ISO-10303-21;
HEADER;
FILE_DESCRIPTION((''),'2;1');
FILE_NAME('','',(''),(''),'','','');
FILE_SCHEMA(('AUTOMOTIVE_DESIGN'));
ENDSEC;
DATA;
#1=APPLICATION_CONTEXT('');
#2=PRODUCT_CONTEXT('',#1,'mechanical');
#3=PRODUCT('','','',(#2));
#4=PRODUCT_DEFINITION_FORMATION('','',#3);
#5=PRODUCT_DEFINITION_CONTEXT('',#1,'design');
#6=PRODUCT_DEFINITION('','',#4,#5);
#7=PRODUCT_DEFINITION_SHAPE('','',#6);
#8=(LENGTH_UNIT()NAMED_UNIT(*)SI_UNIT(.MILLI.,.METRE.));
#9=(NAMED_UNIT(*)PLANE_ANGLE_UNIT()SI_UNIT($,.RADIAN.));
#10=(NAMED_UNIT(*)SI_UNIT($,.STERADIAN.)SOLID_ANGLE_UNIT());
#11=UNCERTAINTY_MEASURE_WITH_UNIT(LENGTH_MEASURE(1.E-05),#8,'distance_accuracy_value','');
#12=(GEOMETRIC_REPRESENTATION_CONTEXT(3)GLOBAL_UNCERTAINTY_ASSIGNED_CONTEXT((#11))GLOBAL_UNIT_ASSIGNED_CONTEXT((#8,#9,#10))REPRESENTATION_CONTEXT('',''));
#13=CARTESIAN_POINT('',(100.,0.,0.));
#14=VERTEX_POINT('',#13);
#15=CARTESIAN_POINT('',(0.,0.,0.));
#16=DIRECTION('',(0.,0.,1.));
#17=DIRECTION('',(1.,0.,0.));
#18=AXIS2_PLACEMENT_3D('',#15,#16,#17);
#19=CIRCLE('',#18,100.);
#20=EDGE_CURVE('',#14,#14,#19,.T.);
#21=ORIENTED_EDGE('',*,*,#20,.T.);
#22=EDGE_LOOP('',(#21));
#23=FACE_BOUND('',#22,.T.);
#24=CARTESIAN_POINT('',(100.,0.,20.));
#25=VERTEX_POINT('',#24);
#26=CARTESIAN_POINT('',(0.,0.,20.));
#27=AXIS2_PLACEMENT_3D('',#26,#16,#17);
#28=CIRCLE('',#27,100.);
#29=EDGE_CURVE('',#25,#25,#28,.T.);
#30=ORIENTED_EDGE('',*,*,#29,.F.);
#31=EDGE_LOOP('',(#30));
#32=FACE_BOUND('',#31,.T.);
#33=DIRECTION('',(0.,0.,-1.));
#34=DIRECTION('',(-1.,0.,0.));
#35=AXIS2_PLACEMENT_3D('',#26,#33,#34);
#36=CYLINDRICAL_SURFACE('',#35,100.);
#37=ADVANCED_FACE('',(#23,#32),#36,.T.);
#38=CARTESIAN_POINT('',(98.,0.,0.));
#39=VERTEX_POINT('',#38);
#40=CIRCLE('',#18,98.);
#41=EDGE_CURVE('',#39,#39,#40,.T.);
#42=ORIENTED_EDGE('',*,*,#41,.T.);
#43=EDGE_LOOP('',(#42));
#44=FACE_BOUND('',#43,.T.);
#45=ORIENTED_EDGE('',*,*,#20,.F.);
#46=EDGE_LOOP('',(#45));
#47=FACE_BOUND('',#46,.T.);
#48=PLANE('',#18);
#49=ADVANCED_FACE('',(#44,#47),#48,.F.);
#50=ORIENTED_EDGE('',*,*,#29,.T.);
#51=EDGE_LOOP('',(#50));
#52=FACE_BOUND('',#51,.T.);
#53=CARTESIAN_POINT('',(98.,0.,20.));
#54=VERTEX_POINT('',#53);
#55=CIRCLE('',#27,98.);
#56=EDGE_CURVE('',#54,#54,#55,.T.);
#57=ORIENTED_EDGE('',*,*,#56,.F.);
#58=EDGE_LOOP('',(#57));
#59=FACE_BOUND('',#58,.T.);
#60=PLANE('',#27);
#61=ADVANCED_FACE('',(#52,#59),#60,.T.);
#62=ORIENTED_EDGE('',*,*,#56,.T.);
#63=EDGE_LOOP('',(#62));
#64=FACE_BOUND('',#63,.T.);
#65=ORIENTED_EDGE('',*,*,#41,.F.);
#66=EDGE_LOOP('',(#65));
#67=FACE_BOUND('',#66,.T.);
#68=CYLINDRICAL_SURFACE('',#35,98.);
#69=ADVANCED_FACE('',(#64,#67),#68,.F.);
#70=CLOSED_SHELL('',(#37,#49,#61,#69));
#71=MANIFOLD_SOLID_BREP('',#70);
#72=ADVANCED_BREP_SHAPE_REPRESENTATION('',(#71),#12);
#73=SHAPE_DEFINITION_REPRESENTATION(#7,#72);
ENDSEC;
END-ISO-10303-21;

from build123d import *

# Parameters (mm, degrees)
SKETCH1_R           = 100
SKETCH1_R_2         = 98
BOSS_EXTRUDE1_DEPTH = 20


with BuildPart() as part:
    # Sketch1 → Boss-Extrude1 (new body)
    with BuildSketch(Plane.XY):
        Circle(SKETCH1_R)
        Circle(SKETCH1_R_2, mode=Mode.SUBTRACT)
    extrude(amount=BOSS_EXTRUDE1_DEPTH)


solid = part.part
